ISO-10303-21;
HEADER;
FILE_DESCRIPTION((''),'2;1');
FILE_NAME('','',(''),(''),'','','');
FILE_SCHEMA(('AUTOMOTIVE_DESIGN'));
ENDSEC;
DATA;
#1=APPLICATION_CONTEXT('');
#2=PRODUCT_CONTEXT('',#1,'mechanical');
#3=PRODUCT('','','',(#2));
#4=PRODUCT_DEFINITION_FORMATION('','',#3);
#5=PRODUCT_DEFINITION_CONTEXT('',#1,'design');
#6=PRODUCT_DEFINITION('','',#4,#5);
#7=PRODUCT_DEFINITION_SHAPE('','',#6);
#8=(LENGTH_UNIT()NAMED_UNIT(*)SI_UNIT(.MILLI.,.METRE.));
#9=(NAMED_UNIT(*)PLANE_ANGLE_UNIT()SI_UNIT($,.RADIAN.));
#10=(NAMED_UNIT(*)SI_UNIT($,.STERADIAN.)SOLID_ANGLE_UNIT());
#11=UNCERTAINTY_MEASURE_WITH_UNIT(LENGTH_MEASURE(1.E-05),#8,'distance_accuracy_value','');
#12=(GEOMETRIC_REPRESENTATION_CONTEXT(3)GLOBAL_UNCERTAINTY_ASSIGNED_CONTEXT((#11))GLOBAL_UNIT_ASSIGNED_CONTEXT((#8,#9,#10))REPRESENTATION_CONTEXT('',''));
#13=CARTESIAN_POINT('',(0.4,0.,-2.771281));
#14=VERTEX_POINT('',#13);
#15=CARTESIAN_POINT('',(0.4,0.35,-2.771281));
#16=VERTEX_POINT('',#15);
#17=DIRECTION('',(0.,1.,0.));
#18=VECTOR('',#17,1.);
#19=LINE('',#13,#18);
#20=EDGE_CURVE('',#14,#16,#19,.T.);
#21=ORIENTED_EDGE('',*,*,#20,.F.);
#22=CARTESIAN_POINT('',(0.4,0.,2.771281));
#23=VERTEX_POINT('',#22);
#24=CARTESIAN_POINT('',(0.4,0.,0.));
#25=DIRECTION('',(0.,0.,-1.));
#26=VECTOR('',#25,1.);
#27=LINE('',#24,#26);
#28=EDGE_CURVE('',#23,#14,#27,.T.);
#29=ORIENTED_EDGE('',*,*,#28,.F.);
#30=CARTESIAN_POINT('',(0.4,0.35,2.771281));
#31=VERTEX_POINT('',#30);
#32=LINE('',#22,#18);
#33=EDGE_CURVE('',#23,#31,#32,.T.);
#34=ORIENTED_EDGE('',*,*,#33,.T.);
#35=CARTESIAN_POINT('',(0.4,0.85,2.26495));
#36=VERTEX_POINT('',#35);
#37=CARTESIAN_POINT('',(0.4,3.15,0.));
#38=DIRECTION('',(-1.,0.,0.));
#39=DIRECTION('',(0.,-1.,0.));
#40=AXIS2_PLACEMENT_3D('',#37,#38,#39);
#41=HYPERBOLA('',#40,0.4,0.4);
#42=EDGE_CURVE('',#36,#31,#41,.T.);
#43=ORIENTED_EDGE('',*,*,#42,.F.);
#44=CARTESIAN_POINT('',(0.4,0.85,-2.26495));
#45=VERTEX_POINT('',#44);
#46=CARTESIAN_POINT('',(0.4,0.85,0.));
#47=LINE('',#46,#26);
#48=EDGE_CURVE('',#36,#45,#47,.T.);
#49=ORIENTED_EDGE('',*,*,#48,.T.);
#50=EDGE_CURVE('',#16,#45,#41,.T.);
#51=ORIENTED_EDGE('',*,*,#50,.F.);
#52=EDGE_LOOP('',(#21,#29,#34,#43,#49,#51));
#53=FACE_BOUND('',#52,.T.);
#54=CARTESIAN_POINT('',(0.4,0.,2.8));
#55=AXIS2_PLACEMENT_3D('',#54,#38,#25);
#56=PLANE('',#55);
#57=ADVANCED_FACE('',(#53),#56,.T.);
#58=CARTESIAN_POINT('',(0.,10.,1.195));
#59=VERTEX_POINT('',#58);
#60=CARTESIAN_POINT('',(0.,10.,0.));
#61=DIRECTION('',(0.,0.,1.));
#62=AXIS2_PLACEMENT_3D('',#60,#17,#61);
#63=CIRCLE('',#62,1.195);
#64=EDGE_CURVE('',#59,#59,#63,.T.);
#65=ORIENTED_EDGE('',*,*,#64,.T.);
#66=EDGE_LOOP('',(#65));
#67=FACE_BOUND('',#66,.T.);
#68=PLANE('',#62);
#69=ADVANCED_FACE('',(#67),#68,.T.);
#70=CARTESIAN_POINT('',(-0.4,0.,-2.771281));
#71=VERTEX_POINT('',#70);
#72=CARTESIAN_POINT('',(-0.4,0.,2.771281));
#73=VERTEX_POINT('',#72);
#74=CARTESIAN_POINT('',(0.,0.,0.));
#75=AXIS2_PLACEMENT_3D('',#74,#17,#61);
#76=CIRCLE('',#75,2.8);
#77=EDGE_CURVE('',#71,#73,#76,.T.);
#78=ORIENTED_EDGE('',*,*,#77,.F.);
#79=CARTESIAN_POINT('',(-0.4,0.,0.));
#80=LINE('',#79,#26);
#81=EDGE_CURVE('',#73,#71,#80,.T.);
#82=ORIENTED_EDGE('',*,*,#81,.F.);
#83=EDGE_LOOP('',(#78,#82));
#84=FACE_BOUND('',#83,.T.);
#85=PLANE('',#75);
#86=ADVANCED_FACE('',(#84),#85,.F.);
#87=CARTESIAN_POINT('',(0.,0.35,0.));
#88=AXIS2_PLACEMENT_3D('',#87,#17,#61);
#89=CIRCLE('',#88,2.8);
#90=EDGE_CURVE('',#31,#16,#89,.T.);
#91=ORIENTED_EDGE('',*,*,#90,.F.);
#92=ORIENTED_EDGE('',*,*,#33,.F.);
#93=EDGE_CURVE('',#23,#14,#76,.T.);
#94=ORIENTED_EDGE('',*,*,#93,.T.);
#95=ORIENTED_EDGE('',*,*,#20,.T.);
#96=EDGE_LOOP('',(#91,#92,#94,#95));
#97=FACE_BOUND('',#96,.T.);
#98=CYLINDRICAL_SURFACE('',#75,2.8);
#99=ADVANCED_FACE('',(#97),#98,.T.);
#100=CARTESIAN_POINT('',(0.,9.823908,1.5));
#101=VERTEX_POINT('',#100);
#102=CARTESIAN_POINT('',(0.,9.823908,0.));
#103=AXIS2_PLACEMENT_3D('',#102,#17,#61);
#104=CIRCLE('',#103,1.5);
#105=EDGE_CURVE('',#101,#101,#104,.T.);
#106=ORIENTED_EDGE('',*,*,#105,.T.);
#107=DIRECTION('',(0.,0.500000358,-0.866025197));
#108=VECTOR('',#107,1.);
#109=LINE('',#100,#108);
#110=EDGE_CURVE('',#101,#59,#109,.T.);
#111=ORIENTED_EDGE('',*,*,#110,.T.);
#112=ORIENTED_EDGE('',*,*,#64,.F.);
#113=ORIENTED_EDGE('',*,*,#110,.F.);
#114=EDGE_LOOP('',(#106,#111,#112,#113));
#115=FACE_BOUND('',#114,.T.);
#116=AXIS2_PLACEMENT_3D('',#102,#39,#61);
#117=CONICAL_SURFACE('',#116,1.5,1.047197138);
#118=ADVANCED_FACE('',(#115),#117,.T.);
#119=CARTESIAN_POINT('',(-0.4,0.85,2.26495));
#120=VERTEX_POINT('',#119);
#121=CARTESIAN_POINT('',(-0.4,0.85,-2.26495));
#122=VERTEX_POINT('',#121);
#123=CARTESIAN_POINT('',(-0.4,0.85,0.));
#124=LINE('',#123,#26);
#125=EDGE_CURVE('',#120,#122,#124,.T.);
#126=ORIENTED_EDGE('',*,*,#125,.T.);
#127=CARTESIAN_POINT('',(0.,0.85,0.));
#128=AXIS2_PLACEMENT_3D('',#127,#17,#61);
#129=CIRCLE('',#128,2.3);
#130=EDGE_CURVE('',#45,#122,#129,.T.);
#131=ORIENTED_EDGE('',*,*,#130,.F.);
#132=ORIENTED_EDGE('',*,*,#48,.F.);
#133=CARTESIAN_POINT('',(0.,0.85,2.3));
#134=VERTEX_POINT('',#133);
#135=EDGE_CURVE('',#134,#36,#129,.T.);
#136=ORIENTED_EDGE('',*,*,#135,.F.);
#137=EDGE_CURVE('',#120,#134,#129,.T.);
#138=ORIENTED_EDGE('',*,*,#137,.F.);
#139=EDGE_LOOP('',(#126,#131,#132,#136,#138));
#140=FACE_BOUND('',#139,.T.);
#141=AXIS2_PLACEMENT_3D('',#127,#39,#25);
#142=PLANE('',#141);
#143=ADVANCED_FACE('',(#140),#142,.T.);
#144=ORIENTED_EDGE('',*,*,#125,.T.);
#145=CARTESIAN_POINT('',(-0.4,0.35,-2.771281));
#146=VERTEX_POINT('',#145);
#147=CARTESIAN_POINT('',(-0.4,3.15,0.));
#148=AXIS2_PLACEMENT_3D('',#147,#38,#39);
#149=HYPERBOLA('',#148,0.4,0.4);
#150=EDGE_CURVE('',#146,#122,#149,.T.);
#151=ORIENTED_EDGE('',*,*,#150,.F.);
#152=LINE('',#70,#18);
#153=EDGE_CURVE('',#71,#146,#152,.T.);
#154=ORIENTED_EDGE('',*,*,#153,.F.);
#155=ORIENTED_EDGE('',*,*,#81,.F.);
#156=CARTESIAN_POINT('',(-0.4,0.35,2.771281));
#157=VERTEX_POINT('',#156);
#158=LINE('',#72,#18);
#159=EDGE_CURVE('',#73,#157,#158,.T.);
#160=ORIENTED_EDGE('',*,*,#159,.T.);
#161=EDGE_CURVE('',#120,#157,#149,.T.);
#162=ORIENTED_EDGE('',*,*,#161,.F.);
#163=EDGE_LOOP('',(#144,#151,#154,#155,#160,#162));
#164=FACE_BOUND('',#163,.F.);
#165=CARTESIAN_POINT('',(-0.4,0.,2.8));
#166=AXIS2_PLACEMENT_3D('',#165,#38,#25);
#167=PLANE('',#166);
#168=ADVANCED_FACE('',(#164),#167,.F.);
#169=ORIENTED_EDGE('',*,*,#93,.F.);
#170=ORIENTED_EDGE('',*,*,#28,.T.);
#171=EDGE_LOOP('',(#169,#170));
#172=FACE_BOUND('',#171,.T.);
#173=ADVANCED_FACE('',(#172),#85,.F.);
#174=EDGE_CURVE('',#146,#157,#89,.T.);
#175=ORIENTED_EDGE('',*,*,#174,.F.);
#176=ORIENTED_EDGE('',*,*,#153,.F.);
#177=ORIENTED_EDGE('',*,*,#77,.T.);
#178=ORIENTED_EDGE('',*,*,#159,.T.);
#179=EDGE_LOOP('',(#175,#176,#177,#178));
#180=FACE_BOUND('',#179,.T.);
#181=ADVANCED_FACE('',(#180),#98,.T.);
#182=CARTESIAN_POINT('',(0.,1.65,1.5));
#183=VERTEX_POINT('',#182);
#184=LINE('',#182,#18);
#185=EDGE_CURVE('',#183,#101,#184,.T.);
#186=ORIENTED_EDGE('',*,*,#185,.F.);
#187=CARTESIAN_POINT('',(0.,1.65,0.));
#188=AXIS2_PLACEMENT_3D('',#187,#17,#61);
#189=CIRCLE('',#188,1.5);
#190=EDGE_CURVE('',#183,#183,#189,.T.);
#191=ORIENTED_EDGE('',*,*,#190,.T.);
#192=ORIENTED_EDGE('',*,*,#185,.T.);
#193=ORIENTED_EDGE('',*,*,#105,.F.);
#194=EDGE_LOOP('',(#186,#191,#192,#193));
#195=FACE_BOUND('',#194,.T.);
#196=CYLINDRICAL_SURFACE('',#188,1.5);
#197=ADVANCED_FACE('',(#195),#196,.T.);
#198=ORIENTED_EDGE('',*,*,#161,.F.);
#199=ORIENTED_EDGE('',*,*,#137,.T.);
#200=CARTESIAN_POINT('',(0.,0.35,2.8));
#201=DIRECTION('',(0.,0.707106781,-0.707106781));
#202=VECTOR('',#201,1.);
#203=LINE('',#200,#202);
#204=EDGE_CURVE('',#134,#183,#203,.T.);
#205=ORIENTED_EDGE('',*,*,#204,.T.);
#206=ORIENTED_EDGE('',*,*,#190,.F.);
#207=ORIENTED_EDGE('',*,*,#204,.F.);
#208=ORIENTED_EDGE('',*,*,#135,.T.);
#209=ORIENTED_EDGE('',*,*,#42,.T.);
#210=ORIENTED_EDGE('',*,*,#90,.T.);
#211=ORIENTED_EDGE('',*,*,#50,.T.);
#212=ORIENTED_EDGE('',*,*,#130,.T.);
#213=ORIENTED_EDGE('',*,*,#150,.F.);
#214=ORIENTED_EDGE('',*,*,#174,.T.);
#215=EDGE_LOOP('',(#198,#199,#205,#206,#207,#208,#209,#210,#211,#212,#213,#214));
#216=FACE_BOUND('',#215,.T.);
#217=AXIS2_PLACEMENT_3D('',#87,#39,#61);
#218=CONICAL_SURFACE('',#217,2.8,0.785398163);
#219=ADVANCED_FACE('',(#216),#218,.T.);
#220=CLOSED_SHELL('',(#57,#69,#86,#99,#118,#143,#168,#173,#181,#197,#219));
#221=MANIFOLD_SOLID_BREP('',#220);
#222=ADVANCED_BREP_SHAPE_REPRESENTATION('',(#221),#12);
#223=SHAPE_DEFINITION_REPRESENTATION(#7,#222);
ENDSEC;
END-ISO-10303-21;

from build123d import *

# Parameters (mm, degrees)
SKETCH001_W  = 5.6
SKETCH001_H  = 0.8
POCKET_DEPTH = 0.85


with BuildPart() as part:
    # Sketch → Revolution (revolve)
    with BuildSketch(Plane.YZ):
        Polygon((0, 0), (0, 2.8), (0.35, 2.8), (1.65, 1.5), (9.823908, 1.5), (10, 1.195), (10, 0), align=None)
    revolve(axis=Axis((0, 0, 0), (0, 1, 0)))

    # Sketch001 → Pocket (cut)
    with BuildSketch(Plane(origin=(0, 0, 0), x_dir=(0, 0, -1), z_dir=(0, -1, 0))):
        Rectangle(SKETCH001_W, SKETCH001_H)
    extrude(amount=-POCKET_DEPTH, mode=Mode.SUBTRACT)


solid = part.part
